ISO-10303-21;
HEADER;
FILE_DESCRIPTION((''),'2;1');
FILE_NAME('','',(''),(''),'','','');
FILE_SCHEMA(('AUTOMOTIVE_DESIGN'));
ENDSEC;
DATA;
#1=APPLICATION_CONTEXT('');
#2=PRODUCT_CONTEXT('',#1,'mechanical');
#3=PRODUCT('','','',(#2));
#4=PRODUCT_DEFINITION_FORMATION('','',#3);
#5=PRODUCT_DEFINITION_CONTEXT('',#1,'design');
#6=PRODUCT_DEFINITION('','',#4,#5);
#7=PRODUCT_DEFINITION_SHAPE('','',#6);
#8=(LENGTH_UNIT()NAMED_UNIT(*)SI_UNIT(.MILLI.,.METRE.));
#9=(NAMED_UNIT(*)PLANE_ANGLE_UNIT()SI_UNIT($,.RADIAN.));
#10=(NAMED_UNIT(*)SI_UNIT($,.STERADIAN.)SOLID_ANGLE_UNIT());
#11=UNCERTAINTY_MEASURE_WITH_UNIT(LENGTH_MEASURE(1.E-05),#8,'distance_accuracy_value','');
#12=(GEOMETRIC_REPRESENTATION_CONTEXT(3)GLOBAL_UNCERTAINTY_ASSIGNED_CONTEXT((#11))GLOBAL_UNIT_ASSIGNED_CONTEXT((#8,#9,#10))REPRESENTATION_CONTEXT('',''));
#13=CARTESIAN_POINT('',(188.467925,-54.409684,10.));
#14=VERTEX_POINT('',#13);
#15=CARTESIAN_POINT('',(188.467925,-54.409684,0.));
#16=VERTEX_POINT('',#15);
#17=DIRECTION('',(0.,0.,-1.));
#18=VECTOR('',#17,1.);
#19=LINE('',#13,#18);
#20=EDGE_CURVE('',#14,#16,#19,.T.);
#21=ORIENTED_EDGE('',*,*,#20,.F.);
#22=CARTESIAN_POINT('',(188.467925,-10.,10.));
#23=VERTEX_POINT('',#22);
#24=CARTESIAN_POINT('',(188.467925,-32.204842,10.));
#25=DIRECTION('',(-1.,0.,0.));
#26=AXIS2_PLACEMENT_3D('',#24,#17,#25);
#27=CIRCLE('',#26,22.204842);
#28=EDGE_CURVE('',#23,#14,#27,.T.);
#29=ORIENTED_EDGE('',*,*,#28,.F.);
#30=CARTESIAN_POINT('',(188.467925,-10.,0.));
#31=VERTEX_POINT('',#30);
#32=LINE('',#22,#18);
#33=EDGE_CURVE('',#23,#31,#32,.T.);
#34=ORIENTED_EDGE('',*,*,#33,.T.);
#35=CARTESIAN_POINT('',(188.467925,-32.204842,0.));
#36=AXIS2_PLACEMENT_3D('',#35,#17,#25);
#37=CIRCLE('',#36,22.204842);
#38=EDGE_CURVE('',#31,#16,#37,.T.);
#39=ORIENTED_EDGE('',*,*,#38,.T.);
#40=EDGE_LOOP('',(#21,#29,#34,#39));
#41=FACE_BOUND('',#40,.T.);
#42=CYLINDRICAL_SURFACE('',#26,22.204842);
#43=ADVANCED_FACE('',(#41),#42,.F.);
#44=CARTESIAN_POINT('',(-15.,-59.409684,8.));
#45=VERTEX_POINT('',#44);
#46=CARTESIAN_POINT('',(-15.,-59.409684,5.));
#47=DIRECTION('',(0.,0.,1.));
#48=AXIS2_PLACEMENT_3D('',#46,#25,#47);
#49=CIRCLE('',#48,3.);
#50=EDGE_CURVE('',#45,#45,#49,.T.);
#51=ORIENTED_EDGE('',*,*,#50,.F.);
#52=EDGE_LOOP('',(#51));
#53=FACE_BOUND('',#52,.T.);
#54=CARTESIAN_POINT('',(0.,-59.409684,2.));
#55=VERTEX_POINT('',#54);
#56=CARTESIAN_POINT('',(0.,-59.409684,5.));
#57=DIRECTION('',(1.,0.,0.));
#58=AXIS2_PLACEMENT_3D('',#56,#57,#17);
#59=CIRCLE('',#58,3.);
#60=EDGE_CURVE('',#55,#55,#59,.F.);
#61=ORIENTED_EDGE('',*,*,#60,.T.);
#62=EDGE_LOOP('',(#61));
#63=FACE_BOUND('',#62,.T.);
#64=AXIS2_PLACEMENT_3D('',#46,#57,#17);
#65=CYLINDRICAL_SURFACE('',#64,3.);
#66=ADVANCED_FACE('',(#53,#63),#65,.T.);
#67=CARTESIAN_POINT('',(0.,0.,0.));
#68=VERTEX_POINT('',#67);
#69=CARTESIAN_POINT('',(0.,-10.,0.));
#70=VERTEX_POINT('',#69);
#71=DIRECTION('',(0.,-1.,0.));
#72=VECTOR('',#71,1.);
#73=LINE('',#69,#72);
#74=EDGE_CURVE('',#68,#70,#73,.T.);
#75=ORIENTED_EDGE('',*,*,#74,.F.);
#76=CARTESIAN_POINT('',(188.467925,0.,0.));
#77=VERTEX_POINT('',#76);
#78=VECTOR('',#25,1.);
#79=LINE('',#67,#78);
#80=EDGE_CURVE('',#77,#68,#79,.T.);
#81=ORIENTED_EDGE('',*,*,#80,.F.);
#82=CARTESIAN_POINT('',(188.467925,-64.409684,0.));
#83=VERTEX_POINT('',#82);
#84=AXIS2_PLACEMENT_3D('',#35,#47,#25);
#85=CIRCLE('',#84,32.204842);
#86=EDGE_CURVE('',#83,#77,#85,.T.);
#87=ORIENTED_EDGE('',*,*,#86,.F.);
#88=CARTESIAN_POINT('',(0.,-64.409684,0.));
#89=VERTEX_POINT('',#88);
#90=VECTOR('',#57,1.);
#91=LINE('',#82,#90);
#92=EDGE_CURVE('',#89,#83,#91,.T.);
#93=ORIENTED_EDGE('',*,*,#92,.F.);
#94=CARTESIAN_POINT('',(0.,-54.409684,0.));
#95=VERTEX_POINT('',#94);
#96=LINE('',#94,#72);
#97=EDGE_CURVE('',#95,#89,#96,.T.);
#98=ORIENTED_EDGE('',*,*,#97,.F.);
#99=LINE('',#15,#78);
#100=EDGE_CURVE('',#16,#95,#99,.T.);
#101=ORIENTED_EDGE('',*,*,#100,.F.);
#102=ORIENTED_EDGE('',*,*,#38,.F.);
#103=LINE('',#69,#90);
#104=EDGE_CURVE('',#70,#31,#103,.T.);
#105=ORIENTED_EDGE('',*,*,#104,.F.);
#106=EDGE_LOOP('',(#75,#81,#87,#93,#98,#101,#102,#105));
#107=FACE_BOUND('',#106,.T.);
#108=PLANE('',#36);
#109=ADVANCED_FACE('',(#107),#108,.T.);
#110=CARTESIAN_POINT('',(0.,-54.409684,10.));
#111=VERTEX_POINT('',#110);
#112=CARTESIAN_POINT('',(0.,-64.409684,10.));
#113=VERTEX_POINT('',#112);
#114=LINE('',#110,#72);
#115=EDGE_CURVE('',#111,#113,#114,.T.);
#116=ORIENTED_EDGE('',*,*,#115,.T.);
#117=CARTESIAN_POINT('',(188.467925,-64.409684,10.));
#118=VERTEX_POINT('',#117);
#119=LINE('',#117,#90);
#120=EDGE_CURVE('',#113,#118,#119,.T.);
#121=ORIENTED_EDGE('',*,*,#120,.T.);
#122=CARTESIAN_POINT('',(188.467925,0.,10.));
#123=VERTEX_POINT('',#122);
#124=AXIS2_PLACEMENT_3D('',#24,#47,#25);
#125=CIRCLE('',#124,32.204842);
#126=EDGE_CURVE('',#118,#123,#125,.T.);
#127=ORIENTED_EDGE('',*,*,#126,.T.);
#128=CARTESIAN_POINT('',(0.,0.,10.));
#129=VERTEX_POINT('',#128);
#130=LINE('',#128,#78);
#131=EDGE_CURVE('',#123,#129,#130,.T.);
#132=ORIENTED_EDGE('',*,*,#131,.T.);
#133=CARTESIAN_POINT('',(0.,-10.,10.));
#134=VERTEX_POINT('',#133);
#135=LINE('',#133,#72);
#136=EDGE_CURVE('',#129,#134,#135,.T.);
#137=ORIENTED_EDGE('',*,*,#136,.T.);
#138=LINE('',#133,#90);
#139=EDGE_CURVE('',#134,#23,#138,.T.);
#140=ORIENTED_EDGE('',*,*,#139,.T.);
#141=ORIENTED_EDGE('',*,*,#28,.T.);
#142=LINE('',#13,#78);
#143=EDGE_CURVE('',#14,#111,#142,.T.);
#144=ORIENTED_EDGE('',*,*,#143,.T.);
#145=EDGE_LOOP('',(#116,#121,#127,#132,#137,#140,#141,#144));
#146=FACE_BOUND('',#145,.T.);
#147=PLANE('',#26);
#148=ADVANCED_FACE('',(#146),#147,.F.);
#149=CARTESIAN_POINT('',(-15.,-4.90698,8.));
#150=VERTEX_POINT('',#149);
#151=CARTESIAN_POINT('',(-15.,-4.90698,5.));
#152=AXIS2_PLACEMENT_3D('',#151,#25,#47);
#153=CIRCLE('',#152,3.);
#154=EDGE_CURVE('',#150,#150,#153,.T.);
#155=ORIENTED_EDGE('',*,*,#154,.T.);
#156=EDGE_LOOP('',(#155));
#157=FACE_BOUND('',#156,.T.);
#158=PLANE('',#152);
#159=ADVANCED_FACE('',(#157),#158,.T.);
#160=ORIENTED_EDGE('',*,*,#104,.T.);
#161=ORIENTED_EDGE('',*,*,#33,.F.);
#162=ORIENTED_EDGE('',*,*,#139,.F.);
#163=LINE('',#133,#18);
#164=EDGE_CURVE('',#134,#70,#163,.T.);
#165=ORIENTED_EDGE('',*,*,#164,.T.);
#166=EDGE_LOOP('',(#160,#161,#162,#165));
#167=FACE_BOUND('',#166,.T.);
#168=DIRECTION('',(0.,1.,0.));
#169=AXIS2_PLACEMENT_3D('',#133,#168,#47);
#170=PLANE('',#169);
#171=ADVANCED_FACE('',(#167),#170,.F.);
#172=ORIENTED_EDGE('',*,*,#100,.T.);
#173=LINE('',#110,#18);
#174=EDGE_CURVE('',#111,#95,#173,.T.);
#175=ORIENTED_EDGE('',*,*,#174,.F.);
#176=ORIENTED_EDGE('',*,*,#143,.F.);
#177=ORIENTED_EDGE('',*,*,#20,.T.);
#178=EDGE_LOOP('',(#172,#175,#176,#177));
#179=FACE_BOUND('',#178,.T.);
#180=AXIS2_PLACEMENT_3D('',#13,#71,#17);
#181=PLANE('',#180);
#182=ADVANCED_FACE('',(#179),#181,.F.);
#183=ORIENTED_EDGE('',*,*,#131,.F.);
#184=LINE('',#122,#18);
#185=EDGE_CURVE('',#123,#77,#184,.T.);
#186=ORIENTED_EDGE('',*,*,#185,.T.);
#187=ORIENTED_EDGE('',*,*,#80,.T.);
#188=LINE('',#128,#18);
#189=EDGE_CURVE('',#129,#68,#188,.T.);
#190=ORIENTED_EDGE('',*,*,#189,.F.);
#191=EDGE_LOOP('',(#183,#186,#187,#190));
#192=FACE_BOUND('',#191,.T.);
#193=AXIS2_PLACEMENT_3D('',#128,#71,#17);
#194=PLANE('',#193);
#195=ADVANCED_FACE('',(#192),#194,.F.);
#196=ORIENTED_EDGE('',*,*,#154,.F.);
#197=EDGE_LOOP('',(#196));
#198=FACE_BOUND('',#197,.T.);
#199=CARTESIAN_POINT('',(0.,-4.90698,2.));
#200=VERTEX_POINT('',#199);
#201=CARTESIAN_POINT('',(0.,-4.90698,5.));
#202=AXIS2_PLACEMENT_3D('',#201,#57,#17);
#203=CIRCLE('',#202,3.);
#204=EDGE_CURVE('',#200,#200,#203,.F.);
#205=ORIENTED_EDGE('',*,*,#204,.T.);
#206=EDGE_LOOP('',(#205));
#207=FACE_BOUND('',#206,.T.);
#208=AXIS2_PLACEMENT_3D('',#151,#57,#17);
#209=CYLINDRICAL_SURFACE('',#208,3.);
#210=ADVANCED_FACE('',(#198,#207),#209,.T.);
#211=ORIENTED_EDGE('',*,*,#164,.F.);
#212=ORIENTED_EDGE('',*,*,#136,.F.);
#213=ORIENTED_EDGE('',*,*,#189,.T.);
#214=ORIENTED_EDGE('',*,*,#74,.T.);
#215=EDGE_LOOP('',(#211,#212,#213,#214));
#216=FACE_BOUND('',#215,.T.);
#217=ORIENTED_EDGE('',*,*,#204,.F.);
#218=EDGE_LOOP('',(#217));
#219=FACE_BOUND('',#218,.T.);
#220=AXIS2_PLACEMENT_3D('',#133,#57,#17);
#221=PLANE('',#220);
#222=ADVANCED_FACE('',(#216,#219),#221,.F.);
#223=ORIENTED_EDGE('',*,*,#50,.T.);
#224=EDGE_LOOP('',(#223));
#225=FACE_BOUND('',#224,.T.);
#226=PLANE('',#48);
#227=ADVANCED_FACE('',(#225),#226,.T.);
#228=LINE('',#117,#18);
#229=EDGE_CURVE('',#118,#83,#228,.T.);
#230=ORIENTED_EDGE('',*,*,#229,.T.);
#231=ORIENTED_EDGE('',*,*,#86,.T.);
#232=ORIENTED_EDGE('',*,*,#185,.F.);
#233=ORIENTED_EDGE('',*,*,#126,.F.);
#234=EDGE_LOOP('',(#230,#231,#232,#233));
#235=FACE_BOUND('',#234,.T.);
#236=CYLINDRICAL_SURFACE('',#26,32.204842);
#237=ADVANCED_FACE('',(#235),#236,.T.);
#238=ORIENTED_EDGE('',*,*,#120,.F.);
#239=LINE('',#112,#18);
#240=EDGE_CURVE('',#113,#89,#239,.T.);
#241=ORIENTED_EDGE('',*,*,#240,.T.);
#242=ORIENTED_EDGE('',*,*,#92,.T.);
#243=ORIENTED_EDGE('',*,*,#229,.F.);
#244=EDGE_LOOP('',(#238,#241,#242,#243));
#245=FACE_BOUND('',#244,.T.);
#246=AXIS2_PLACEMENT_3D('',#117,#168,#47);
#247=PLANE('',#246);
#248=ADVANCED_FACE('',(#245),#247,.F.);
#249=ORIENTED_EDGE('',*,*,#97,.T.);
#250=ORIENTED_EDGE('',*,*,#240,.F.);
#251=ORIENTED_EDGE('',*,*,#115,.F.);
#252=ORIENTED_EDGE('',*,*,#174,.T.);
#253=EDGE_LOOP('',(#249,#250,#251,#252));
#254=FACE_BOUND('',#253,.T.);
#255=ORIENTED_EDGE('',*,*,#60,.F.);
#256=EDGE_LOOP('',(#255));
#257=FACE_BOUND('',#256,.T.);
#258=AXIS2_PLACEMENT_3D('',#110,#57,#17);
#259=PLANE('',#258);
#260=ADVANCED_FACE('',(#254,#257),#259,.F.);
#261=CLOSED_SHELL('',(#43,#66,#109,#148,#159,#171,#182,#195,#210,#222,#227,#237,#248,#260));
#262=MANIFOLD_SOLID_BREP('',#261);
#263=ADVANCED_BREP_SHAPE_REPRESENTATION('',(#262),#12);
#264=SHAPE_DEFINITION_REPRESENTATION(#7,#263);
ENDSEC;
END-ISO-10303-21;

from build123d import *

# Parameters (mm, degrees)
BOSS_EXTRUDE1_DEPTH = 10
SKETCH2_R           = 3
BOSS_EXTRUDE2_DEPTH = 15
SKETCH3_R           = 3
BOSS_EXTRUDE3_DEPTH = 15


with BuildPart() as part:
    # Sketch1 → Boss-Extrude1 (new body)
    with BuildSketch(Plane.XY):
        with BuildLine():
            Line((0, 0), (188.467924539, 0))
            ThreePointArc((188.467924539, 0), (220.672766762, -32.204842223), (188.467924539, -64.409684446))
            Line((188.467924539, -64.409684446), (0, -64.409684446))
            Line((0, -64.409684446), (0, -54.409684446))
            Line((0, -54.409684446), (188.467924539, -54.409684446))
            ThreePointArc((188.467924539, -54.409684446), (210.672766762, -32.204842223), (188.467924539, -10))
            Line((188.467924539, -10), (0, -10))
            Line((0, -10), (0, 0))
        make_face()
    extrude(amount=BOSS_EXTRUDE1_DEPTH)

    # Sketch2 → Boss-Extrude2 (add)
    with BuildSketch(Plane.ZY):
        with Locations(Location((5, -4.906979909, 0), (0, 0, 180))):
            Circle(SKETCH2_R)
    extrude(amount=BOSS_EXTRUDE2_DEPTH)

    # Sketch3 → Boss-Extrude3 (add)
    with BuildSketch(Plane.ZY):
        with Locations(Location((5, -59.409684446, 0), (0, 0, 180))):
            Circle(SKETCH3_R)
    extrude(amount=BOSS_EXTRUDE3_DEPTH)


solid = part.part
